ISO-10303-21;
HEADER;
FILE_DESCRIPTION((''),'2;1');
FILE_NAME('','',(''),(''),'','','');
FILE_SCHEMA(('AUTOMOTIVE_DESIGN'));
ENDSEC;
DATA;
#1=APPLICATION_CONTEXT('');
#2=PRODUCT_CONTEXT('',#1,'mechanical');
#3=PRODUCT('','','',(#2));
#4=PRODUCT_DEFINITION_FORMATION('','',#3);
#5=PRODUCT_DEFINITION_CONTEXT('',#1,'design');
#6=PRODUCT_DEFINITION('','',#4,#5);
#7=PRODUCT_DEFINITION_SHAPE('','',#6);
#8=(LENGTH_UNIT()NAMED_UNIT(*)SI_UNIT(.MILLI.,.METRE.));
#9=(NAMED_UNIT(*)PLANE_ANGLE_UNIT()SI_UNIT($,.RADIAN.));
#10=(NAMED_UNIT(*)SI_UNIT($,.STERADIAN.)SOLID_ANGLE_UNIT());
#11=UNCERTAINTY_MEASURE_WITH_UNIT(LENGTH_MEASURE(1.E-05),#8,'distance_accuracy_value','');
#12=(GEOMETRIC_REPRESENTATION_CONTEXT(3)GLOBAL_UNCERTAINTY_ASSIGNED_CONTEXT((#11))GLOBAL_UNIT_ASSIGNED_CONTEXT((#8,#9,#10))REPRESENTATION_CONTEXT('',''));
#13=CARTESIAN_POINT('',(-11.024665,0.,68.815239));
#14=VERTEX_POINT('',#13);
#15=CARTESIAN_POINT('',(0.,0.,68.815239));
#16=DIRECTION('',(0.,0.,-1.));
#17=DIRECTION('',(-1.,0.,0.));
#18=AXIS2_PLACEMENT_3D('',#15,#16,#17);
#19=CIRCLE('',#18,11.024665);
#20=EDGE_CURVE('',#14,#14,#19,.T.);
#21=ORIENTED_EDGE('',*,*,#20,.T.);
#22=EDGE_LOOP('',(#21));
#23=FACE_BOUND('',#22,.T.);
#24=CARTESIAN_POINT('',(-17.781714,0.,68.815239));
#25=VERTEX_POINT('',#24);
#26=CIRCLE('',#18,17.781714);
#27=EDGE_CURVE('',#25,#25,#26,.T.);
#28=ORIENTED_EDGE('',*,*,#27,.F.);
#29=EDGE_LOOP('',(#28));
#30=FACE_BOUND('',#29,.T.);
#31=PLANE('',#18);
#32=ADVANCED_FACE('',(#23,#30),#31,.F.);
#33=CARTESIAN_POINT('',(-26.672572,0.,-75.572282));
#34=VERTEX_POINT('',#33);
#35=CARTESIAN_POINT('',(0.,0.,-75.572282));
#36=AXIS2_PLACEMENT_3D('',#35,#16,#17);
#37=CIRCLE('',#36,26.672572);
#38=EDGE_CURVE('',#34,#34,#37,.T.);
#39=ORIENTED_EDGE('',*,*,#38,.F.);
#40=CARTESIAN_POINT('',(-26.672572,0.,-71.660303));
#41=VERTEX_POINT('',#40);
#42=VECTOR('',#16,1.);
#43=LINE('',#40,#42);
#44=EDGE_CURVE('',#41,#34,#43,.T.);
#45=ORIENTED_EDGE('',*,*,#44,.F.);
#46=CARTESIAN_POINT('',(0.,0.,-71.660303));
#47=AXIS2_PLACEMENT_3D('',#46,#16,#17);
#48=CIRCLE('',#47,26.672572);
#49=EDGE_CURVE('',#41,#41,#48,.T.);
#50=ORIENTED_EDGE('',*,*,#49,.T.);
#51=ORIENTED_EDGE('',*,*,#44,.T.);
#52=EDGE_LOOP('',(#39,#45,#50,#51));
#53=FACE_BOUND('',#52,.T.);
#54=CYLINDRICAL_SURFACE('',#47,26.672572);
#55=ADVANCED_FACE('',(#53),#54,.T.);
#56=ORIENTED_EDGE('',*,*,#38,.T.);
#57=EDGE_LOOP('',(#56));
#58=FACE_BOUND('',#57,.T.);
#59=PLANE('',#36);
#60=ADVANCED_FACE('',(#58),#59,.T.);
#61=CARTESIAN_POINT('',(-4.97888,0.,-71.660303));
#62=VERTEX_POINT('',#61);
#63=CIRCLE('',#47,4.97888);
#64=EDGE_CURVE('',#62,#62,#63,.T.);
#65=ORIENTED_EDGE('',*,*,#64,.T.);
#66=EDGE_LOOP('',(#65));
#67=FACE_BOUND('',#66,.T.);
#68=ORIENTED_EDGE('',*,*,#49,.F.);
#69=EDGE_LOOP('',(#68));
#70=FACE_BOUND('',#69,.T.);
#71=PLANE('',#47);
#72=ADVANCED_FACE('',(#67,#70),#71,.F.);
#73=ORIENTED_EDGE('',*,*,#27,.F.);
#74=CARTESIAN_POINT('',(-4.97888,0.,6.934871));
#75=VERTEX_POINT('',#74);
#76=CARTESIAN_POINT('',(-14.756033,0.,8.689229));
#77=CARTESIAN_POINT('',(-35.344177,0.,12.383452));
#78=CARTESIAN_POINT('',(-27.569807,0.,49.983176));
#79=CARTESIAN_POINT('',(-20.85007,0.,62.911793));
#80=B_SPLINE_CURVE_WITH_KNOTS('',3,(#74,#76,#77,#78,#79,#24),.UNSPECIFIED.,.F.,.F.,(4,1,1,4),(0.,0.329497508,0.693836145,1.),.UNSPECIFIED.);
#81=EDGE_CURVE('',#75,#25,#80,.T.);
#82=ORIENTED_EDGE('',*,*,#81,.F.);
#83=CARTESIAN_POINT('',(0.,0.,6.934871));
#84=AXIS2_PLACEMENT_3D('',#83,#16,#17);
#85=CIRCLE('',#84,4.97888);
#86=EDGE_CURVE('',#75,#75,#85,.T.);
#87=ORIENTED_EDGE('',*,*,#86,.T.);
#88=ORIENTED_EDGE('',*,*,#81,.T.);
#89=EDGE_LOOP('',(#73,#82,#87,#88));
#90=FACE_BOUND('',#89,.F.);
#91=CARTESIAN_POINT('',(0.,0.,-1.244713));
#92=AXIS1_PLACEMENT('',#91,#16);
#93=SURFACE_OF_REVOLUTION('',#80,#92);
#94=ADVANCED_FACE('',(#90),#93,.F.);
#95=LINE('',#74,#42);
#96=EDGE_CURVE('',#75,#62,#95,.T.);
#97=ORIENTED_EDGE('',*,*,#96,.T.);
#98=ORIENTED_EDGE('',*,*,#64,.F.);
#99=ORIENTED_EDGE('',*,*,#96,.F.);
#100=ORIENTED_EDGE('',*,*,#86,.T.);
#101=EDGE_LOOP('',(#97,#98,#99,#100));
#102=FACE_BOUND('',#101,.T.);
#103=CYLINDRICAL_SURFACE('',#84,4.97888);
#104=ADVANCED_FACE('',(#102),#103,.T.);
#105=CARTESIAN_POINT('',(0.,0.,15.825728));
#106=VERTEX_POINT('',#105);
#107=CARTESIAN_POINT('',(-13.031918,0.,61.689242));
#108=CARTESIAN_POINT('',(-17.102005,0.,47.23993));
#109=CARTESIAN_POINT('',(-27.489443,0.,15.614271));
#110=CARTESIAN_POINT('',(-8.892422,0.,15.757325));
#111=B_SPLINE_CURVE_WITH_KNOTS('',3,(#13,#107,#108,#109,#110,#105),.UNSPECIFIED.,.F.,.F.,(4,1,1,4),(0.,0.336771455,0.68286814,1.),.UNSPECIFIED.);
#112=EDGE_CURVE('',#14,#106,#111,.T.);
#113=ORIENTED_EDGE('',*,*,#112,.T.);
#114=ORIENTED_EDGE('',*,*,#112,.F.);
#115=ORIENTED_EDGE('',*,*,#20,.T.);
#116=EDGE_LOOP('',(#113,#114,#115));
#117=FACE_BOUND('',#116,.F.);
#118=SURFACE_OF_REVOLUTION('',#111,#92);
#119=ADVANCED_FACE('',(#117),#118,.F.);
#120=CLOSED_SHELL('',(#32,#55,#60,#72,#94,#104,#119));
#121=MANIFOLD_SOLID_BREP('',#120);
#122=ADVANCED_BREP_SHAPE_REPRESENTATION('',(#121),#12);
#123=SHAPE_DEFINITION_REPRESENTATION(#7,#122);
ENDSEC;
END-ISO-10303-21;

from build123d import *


with BuildPart() as f1:
    # F0 (on Front) → F1 (revolve)
    with BuildSketch(Plane.XZ):
        with BuildLine():
            Line((-26.6725718975, -75.5722820759), (0, -75.5722820759))
            Line((0, -75.5722820759), (0, 15.8257279545))
            add(Edge.make_bspline(
                [(-11.0246650875, 68.8152387738), (-13.0319182183, 61.6892423346), (-17.1020054937, 47.2399299955), (-27.4894427467, 15.6142705276), (-8.8924216575, 15.7573246544), (0, 15.8257279545)],
                knots=[0, 0, 0, 0, 0.3367714548, 0.6828681405, 1, 1, 1, 1], degree=3))
            Line((-11.0246650875, 68.8152387738), (-17.7817139775, 68.8152387738))
            add(Edge.make_bspline(
                [(-4.9788798206, 6.9348705001), (-14.7560330129, 8.6892290012), (-35.3441774531, 12.3834522081), (-27.5698066923, 49.9831757822), (-20.8500701315, 62.9117928158), (-17.7817139775, 68.8152387738)],
                knots=[0, 0, 0, 0, 0.3294975078, 0.6938361452, 1, 1, 1, 1], degree=3))
            Line((-4.9788798206, 6.9348705001), (-4.9788798206, -71.6603025794))
            Line((-4.9788798206, -71.6603025794), (-26.6725718975, -71.6603025794))
            Line((-26.6725718975, -71.6603025794), (-26.6725718975, -75.5722820759))
        make_face()
    revolve(axis=Axis((0, 0, -1.244712621), (0, 0, -1)))


solid = f1.part
